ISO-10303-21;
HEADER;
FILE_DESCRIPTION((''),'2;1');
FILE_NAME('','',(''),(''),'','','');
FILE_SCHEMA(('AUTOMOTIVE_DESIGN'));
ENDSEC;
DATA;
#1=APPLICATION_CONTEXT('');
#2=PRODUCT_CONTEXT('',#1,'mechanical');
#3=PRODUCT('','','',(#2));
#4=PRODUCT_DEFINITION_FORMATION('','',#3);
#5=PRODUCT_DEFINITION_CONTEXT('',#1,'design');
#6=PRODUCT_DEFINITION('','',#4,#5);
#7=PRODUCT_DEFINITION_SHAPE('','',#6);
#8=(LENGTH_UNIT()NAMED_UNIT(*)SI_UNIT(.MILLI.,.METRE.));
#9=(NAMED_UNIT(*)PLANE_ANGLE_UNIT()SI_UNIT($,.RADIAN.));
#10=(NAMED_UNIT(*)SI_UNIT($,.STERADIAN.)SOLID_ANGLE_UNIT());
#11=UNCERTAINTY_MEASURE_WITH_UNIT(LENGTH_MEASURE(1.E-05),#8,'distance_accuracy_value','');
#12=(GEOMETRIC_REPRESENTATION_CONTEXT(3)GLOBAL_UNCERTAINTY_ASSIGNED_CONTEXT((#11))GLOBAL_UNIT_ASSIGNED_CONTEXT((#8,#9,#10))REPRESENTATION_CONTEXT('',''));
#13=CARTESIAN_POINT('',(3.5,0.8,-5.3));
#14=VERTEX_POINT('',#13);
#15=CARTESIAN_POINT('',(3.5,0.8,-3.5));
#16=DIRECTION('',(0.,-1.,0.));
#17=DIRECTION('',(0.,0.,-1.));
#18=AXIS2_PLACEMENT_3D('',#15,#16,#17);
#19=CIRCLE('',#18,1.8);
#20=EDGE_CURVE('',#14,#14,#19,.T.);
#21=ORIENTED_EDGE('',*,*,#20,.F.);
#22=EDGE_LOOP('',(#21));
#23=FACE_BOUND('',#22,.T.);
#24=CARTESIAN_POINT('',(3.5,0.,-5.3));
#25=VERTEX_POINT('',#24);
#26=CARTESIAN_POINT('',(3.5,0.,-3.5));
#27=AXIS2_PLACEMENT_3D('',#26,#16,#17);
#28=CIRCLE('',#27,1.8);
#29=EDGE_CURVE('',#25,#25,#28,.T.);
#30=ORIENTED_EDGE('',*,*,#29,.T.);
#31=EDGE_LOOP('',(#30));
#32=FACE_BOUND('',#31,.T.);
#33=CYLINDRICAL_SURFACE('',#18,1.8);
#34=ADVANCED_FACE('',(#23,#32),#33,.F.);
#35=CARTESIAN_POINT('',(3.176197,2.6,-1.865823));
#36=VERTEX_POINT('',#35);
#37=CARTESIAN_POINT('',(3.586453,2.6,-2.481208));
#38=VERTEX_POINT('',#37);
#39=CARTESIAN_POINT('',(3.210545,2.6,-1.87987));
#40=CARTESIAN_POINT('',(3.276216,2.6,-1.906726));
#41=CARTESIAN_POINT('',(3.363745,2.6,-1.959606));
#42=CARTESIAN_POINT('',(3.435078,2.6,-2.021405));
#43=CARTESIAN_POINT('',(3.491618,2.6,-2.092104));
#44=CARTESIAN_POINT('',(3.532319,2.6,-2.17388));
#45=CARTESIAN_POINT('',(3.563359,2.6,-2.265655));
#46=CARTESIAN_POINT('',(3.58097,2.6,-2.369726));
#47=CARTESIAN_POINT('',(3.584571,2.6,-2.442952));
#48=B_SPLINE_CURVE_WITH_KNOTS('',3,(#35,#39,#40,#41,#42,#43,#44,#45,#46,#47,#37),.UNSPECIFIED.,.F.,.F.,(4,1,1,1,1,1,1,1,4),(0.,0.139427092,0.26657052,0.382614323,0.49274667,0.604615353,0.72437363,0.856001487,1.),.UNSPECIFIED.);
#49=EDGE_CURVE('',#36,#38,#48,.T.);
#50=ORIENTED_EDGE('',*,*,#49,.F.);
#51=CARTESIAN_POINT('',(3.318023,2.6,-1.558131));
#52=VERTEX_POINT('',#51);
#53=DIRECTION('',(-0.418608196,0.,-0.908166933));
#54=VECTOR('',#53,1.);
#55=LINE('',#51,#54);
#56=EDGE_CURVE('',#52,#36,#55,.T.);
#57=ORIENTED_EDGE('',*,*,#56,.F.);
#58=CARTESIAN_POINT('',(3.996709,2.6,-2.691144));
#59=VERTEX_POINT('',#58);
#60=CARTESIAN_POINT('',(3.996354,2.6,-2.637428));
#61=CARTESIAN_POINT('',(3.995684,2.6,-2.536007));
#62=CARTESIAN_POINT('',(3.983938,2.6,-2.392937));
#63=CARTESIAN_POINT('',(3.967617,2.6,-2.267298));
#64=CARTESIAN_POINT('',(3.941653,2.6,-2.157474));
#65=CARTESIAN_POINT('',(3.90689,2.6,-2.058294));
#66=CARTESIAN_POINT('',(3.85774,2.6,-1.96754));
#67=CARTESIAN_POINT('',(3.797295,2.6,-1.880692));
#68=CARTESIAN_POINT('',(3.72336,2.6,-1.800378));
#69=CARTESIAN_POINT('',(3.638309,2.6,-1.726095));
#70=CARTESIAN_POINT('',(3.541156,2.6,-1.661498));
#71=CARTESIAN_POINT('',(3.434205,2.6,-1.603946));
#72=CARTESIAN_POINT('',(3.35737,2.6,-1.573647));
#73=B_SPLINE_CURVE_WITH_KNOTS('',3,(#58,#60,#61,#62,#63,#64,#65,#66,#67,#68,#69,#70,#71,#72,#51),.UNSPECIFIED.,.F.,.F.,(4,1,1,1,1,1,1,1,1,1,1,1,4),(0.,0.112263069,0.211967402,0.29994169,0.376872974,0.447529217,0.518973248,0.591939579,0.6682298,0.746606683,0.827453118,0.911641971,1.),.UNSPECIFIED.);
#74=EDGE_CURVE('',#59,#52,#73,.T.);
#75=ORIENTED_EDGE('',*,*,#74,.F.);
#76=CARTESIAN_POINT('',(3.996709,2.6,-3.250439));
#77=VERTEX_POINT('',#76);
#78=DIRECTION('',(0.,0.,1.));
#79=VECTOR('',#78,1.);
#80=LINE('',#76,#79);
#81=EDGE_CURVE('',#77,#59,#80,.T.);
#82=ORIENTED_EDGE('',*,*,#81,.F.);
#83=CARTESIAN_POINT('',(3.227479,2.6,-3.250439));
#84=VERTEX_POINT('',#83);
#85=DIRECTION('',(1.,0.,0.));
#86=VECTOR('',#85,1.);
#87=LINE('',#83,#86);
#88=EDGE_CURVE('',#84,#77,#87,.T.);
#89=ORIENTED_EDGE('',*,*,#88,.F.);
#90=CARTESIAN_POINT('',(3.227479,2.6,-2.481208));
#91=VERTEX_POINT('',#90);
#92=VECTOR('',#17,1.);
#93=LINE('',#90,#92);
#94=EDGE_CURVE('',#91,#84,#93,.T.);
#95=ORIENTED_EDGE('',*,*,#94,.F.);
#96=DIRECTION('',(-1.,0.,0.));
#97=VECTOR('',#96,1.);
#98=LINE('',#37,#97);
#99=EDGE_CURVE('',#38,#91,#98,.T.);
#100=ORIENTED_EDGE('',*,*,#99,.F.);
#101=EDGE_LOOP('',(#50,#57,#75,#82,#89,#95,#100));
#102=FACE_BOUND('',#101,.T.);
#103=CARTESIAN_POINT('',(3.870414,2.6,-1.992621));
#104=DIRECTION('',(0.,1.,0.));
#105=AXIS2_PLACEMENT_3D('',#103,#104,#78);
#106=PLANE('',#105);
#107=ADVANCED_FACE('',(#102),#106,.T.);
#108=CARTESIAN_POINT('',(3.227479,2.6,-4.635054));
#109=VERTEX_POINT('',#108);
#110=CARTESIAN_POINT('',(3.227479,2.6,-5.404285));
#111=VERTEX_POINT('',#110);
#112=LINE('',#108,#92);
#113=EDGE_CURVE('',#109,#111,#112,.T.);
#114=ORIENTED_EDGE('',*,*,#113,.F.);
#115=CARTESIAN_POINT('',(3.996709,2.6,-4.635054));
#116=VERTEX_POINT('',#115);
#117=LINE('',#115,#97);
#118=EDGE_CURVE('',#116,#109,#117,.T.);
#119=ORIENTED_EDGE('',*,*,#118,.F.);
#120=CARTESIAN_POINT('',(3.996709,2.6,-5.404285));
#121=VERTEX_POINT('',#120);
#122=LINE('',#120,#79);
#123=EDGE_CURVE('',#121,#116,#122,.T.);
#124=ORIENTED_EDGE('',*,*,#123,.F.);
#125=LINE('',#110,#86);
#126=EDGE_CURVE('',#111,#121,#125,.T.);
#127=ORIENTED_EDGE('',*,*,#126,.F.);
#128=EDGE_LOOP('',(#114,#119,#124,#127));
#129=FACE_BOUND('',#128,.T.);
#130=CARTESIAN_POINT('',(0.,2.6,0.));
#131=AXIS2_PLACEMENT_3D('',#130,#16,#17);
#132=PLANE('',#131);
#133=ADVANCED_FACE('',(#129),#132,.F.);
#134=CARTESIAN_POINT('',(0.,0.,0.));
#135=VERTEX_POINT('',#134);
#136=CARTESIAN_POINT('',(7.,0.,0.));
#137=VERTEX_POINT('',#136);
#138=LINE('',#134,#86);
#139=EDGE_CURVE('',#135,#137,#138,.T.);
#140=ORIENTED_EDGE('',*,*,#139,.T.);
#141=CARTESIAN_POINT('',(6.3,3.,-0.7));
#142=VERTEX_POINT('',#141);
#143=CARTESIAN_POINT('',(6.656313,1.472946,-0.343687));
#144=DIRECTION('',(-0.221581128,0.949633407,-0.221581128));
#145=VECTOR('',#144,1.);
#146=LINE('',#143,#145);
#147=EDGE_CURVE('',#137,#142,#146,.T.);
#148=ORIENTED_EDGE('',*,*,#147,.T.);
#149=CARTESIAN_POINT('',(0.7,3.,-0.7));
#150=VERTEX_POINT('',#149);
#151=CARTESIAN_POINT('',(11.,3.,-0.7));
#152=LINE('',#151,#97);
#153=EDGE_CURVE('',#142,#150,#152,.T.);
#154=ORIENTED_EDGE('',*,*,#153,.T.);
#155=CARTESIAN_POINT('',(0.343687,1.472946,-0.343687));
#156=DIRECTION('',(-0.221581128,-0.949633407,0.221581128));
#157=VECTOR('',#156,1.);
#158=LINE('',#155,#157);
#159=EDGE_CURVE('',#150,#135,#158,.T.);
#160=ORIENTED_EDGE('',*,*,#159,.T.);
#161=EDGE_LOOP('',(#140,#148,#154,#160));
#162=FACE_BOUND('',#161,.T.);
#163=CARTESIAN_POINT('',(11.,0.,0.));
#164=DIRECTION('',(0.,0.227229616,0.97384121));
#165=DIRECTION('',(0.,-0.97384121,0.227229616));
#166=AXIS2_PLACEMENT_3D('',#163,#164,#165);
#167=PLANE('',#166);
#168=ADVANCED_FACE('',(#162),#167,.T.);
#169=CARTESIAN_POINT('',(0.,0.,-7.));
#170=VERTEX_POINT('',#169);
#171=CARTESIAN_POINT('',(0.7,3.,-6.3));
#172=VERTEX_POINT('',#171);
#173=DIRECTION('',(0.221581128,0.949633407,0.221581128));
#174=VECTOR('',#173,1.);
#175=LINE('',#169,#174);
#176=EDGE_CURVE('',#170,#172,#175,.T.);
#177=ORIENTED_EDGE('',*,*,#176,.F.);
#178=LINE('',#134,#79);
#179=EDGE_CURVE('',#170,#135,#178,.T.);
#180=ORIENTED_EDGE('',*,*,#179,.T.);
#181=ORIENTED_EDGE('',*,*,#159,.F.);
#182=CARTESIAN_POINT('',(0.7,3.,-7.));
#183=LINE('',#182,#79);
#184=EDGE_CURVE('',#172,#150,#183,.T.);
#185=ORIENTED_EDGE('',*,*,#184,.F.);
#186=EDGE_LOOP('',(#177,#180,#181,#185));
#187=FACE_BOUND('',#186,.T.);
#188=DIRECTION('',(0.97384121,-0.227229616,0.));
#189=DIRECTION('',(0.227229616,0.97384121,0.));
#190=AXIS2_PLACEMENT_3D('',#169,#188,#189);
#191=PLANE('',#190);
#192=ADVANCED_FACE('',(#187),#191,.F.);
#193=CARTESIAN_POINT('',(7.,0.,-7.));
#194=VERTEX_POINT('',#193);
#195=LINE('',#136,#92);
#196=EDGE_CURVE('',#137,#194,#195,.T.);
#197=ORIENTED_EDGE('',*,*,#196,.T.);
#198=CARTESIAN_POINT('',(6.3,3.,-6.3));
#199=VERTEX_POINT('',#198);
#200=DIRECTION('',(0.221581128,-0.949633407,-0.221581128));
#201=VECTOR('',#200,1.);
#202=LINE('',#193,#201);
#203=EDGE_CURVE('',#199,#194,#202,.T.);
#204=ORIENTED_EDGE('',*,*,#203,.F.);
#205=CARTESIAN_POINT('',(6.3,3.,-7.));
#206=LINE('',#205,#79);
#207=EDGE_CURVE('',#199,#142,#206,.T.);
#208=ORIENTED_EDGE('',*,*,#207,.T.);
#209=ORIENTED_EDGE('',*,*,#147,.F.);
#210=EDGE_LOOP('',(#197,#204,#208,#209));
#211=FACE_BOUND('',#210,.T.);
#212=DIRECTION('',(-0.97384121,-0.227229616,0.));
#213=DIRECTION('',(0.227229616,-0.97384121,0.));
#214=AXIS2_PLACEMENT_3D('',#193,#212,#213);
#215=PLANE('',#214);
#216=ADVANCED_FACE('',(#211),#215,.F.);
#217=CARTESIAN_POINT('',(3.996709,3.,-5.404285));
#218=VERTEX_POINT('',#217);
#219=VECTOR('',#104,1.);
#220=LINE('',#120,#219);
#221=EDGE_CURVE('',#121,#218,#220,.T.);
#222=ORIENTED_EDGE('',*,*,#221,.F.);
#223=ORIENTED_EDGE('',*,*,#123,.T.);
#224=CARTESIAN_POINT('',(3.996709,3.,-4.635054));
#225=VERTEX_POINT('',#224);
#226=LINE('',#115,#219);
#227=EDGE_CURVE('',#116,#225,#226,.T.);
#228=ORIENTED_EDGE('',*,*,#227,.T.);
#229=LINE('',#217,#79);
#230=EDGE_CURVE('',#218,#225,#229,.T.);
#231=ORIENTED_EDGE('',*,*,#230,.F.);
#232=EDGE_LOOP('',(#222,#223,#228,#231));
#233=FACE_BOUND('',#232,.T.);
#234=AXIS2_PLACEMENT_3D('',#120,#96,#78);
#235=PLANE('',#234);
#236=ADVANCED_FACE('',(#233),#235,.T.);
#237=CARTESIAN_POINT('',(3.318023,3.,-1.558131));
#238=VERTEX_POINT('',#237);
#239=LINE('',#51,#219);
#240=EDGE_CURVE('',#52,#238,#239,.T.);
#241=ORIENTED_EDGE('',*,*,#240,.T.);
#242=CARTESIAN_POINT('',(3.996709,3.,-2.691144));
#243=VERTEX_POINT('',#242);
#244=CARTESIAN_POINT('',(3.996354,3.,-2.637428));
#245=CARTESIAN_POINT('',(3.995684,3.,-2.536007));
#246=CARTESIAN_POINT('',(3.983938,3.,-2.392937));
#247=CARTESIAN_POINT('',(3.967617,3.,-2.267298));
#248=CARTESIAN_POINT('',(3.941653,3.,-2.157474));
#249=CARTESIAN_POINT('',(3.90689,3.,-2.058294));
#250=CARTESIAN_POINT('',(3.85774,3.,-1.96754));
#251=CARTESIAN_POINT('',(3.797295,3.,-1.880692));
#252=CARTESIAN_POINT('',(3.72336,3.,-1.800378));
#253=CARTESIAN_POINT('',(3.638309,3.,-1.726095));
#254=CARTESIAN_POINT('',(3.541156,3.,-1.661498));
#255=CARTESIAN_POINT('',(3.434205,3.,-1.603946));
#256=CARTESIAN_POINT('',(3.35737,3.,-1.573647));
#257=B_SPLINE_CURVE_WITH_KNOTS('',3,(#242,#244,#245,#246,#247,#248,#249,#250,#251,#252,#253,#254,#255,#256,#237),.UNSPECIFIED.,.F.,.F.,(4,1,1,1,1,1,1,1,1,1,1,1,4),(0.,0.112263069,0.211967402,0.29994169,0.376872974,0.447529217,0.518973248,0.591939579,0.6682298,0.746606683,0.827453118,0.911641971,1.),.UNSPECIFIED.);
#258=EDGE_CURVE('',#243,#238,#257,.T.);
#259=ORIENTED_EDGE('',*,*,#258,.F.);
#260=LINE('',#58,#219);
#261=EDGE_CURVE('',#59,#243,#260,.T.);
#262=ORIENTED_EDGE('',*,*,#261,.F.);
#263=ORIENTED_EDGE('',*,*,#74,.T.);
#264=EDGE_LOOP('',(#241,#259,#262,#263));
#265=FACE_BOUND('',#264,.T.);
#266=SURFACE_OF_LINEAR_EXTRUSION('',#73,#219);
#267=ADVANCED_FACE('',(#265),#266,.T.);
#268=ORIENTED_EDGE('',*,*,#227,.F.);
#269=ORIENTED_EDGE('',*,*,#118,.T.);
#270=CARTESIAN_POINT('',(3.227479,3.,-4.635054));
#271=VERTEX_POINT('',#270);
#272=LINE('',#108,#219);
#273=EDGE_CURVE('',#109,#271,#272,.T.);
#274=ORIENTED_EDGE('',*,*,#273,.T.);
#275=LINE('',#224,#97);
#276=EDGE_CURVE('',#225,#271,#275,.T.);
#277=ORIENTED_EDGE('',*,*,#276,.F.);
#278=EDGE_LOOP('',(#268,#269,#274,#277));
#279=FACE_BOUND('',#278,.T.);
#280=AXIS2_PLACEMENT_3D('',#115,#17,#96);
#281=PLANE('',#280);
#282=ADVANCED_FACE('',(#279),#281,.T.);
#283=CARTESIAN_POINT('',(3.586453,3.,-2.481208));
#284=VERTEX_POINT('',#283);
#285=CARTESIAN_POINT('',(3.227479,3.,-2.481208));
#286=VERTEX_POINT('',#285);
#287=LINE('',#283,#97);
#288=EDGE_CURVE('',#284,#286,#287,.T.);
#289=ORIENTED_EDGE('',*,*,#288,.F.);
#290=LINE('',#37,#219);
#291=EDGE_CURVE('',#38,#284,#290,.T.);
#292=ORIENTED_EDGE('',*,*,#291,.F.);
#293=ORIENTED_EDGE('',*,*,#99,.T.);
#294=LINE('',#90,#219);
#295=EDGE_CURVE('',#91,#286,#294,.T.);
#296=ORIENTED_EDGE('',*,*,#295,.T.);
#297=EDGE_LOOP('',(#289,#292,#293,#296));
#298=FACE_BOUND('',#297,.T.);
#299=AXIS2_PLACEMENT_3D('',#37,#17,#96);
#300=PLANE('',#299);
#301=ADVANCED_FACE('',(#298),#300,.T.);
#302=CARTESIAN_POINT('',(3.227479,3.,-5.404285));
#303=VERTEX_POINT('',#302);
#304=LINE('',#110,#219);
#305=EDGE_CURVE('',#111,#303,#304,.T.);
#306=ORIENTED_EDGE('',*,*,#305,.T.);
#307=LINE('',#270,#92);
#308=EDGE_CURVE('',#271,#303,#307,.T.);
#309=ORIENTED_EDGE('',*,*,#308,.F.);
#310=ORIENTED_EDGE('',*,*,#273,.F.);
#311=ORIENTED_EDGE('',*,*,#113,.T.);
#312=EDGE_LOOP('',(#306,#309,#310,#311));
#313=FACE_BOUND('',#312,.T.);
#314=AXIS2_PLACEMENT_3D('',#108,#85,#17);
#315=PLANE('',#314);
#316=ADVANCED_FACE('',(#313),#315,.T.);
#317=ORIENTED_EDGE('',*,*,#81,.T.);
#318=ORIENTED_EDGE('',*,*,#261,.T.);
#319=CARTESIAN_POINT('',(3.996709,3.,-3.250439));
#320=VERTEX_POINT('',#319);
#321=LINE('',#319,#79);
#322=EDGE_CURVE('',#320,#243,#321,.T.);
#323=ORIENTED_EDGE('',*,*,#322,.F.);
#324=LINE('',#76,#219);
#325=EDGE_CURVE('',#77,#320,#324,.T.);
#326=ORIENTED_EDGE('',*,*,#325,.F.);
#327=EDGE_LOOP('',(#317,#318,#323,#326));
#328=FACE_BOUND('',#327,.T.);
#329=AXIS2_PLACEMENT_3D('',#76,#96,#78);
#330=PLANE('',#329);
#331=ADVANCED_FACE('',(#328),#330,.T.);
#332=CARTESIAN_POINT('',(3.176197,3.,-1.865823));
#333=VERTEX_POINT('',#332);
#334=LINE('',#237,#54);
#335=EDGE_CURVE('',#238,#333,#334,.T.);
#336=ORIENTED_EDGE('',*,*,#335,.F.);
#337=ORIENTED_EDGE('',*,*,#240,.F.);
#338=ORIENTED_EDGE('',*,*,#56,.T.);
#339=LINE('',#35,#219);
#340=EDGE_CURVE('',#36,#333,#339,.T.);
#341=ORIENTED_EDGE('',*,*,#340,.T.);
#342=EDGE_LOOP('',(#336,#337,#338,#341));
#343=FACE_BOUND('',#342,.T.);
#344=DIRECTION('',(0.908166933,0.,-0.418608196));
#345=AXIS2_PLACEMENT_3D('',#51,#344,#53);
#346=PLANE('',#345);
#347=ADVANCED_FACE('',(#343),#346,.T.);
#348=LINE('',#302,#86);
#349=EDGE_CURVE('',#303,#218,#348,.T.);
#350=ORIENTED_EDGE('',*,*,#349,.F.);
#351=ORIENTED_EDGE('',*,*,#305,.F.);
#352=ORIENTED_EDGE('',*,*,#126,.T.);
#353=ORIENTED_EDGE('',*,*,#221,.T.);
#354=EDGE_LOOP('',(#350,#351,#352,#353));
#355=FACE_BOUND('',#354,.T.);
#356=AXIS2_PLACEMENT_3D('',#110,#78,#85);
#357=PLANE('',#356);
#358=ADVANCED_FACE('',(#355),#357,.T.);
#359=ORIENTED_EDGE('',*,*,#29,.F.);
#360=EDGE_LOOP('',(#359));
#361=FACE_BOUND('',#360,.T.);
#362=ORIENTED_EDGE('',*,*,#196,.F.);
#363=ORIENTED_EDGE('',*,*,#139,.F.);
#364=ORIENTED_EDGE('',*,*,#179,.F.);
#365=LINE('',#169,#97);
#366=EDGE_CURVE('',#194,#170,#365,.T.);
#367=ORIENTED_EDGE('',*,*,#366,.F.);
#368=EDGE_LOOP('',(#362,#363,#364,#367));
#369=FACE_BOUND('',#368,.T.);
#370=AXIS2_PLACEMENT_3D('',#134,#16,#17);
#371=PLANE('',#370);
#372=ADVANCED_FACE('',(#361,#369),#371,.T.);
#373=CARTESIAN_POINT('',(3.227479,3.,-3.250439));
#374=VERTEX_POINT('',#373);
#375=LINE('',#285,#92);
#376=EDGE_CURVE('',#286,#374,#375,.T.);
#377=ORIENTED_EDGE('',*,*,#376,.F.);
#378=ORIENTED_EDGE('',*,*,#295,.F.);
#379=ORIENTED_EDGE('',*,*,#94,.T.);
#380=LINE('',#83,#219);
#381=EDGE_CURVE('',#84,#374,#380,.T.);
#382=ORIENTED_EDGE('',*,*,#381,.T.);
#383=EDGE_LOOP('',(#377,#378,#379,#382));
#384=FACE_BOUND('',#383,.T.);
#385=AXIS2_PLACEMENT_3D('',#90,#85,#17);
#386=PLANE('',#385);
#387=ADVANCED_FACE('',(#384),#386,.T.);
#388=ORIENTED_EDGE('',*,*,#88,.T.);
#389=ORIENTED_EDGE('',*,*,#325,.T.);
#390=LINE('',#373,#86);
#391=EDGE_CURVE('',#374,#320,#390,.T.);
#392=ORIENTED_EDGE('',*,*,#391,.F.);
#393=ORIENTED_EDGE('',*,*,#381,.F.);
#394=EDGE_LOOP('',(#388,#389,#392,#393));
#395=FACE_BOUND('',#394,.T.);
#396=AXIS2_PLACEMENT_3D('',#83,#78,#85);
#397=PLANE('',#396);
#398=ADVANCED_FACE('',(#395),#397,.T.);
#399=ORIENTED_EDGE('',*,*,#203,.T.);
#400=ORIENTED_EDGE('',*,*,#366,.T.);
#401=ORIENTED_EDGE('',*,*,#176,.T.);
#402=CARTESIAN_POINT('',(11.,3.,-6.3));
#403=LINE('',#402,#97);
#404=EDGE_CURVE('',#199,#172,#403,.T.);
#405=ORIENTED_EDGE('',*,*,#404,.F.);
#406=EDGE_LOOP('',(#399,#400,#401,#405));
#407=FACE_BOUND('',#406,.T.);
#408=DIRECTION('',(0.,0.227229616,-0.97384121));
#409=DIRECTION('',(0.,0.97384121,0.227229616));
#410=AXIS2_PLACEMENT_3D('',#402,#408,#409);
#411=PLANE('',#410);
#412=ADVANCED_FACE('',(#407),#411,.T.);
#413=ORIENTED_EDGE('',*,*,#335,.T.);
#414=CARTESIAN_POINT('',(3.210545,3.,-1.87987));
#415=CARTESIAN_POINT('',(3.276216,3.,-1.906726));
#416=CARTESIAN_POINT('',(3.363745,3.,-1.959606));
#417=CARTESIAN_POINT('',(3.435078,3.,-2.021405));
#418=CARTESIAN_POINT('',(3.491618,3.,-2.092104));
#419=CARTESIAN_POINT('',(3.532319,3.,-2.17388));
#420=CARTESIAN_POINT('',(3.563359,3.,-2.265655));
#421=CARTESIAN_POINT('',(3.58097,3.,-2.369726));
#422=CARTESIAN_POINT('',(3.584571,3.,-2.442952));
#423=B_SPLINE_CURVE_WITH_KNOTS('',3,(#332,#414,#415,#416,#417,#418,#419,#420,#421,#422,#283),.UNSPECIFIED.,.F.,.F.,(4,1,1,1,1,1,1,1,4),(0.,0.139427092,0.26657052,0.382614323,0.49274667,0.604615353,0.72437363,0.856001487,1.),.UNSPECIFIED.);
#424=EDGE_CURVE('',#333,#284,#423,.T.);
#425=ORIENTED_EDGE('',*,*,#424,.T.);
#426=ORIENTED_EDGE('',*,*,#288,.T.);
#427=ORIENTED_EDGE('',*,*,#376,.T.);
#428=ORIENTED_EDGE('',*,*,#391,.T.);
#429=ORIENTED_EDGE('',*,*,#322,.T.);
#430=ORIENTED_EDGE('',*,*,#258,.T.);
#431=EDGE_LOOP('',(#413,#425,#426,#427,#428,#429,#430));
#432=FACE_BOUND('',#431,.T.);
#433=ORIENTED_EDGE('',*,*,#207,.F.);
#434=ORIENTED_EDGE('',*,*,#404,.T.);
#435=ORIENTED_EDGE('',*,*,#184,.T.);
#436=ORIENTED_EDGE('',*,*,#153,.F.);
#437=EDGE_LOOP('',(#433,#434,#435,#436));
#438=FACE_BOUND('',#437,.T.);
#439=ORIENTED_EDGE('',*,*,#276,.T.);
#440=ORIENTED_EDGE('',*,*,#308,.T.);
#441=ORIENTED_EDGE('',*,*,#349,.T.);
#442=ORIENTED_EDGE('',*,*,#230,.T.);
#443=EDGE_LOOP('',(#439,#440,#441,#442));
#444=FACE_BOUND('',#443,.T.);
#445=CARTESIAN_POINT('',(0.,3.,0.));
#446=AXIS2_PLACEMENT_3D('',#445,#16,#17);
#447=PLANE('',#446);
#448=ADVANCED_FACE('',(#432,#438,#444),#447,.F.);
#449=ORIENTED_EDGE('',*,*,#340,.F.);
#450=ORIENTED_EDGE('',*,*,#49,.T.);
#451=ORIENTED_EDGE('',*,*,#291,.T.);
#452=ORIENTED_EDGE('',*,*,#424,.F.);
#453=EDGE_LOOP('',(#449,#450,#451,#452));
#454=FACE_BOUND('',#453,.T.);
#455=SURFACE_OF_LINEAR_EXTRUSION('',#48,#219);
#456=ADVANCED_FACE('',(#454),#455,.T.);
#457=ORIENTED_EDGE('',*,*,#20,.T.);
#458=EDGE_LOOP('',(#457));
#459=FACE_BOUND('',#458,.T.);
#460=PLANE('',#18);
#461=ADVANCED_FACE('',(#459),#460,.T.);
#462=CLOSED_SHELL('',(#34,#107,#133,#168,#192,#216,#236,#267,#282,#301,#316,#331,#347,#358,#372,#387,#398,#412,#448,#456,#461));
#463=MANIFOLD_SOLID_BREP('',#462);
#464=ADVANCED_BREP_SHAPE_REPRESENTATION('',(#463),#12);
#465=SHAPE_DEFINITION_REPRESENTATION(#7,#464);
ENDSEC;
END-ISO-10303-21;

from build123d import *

# Parameters (mm, degrees)
SKETCH1_W           = 7
SKETCH1_H           = 7
BOSS_EXTRUDE1_DEPTH = 3
CUT_EXTRUDE1_DEPTH  = 7
CUT_EXTRUDE2_DEPTH  = 11
SKETCH4_R           = 1.8
CUT_EXTRUDE3_DEPTH  = 0.8
SKETCH5_W           = 0.769230769
SKETCH5_H           = 0.769230769
CUT_EXTRUDE4_DEPTH  = 0.4


with BuildPart() as part:
    # Sketch1 → Boss-Extrude1 (new body)
    with BuildSketch(Plane(origin=(0, 0, 0), x_dir=(1, 0, 0), z_dir=(0, 1, 0))):
        with Locations((3.5, 3.5)):
            Rectangle(SKETCH1_W, SKETCH1_H)
    extrude(amount=BOSS_EXTRUDE1_DEPTH)

    # Sketch2 → Cut-Extrude1 (cut)
    with BuildSketch(Plane.XY):
        Polygon((0, 0), (0.7, 3), (0, 3), align=None)
        Polygon((7, 0), (6.3, 3), (7, 3), align=None)
    extrude(amount=-CUT_EXTRUDE1_DEPTH, mode=Mode.SUBTRACT)

    # Sketch3 → Cut-Extrude2 (cut)
    with BuildSketch(Plane(origin=(0, 0, 0), x_dir=(0, 0, -1), z_dir=(1, 0, 0))):
        Polygon((0, 0), (0.7, 3), (0, 3), align=None)
        Polygon((7, 3), (6.3, 3), (7, 0), align=None)
    extrude(amount=CUT_EXTRUDE2_DEPTH, mode=Mode.SUBTRACT)

    # Sketch4 → Cut-Extrude3 (cut)
    with BuildSketch(Plane.XZ):
        with Locations(Location((3.5, -3.5, 0), (0, 0, 270))):
            Circle(SKETCH4_R)
    extrude(amount=-CUT_EXTRUDE3_DEPTH, mode=Mode.SUBTRACT)

    # Sketch5 → Cut-Extrude4 (cut)
    with BuildSketch(Plane(origin=(0, 3, 0), x_dir=(1, 0, 0), z_dir=(0, 1, 0))):
        with Locations((3.612093963, 5.019669427)):
            Rectangle(SKETCH5_W, SKETCH5_H)
        with BuildLine():
            Line((3.227478578, 3.250438657), (3.996709347, 3.250438657))
            Line((3.996709347, 3.250438657), (3.996709347, 2.691143785))
            add(Edge.make_bspline(
                [(3.996709347, 2.691143785), (3.996354449, 2.637428404), (3.995684356, 2.536006718), (3.983938379, 2.392937498), (3.967617452, 2.267298215), (3.941653281, 2.157473929), (3.906889784, 2.058293502), (3.857739809, 1.967540051), (3.797294746, 1.880692172), (3.723360469, 1.800377793), (3.638309276, 1.726095057), (3.541155635, 1.661498191), (3.434205152, 1.603945573), (3.357369532, 1.573646535), (3.31802345, 1.558130965)],
                knots=[0, 0, 0, 0, 1.347156832, 2.543608823, 3.599300285, 4.522475688, 5.370350604, 6.227678973, 7.103274953, 8.018757603, 8.959280198, 9.929437417, 10.939703653, 12, 12, 12, 12], degree=3))
            Line((3.31802345, 1.558130965), (3.176196527, 1.865823273))
            add(Edge.make_bspline(
                [(3.176196527, 1.865823273), (3.210545046, 1.879869864), (3.276215945, 1.906725527), (3.363744761, 1.959605892), (3.435078145, 2.021405192), (3.491618449, 2.092103782), (3.532319251, 2.173879945), (3.563358678, 2.265654966), (3.580969568, 2.369726497), (3.584571264, 2.442951924), (3.586452937, 2.481207888)],
                knots=[0, 0, 0, 0, 1.115416734, 2.132564161, 3.06091458, 3.941973359, 4.836922823, 5.794989041, 6.848011894, 8, 8, 8, 8], degree=3))
            Line((3.586452937, 2.481207888), (3.227478578, 2.481207888))
            Line((3.227478578, 2.481207888), (3.227478578, 3.250438657))
        make_face()
    extrude(amount=-CUT_EXTRUDE4_DEPTH, mode=Mode.SUBTRACT)


solid = part.part
